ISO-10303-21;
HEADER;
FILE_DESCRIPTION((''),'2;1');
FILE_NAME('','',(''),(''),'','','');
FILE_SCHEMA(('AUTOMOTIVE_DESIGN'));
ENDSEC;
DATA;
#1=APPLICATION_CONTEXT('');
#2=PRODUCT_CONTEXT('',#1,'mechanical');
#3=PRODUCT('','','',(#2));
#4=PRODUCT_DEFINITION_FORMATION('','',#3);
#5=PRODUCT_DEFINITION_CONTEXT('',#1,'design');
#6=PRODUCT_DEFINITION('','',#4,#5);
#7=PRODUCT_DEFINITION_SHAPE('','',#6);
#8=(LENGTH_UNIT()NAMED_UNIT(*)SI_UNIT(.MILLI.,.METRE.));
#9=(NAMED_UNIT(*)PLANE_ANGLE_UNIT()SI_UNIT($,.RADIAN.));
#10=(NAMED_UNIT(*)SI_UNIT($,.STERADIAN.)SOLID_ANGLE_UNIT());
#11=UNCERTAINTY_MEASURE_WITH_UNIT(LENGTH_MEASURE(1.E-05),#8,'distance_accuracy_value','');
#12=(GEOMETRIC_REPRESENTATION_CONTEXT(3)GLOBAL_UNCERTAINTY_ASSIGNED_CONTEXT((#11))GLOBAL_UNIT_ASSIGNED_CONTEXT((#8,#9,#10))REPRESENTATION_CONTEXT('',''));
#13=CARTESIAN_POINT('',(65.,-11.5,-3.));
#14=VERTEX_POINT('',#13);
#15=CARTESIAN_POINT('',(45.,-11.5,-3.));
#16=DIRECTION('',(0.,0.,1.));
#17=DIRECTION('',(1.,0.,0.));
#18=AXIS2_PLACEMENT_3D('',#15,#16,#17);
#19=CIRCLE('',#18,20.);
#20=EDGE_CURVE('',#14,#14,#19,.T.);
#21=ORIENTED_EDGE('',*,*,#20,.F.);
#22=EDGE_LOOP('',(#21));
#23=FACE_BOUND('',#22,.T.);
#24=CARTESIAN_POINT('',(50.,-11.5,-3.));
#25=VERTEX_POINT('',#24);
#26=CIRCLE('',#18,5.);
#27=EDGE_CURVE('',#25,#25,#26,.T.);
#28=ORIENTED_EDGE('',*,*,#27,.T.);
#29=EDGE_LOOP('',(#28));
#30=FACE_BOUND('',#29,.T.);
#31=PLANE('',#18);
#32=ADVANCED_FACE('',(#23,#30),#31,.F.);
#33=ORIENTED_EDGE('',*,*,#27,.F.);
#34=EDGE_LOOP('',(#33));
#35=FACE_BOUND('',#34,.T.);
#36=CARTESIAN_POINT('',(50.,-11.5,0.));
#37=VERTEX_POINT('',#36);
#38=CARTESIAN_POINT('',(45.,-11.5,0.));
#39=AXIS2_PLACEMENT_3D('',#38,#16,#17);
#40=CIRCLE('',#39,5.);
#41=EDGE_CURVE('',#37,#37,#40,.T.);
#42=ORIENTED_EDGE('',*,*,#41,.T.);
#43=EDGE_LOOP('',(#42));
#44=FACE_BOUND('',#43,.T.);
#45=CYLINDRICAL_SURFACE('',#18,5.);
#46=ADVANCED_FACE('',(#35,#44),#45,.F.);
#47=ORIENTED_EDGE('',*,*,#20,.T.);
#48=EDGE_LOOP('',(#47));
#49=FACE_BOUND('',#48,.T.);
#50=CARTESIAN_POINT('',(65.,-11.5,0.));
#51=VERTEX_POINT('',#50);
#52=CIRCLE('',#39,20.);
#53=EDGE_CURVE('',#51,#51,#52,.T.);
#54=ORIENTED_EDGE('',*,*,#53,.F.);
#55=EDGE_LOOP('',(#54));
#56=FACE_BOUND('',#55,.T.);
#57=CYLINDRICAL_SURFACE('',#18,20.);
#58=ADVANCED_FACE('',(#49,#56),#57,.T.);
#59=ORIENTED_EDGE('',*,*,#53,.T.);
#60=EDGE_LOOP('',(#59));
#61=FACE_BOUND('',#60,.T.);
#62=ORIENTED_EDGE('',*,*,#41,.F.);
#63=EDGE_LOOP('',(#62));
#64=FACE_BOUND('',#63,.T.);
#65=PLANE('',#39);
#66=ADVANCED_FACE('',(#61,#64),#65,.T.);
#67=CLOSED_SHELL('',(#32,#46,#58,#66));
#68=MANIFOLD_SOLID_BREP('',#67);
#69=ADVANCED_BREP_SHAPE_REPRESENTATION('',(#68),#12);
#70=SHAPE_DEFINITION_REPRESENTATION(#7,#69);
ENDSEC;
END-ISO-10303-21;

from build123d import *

# Parameters (mm, degrees)
SKETCH1_R           = 20
SKETCH1_R_2         = 5
BOSS_EXTRUDE1_DEPTH = 3


with BuildPart() as part:
    # Sketch1 → Boss-Extrude1 (new body)
    with BuildSketch(Plane.XY):
        with Locations((45, -11.5)):
            Circle(SKETCH1_R)
        with Locations((45, -11.5)):
            Circle(SKETCH1_R_2, mode=Mode.SUBTRACT)
    extrude(amount=-BOSS_EXTRUDE1_DEPTH)


solid = part.part
